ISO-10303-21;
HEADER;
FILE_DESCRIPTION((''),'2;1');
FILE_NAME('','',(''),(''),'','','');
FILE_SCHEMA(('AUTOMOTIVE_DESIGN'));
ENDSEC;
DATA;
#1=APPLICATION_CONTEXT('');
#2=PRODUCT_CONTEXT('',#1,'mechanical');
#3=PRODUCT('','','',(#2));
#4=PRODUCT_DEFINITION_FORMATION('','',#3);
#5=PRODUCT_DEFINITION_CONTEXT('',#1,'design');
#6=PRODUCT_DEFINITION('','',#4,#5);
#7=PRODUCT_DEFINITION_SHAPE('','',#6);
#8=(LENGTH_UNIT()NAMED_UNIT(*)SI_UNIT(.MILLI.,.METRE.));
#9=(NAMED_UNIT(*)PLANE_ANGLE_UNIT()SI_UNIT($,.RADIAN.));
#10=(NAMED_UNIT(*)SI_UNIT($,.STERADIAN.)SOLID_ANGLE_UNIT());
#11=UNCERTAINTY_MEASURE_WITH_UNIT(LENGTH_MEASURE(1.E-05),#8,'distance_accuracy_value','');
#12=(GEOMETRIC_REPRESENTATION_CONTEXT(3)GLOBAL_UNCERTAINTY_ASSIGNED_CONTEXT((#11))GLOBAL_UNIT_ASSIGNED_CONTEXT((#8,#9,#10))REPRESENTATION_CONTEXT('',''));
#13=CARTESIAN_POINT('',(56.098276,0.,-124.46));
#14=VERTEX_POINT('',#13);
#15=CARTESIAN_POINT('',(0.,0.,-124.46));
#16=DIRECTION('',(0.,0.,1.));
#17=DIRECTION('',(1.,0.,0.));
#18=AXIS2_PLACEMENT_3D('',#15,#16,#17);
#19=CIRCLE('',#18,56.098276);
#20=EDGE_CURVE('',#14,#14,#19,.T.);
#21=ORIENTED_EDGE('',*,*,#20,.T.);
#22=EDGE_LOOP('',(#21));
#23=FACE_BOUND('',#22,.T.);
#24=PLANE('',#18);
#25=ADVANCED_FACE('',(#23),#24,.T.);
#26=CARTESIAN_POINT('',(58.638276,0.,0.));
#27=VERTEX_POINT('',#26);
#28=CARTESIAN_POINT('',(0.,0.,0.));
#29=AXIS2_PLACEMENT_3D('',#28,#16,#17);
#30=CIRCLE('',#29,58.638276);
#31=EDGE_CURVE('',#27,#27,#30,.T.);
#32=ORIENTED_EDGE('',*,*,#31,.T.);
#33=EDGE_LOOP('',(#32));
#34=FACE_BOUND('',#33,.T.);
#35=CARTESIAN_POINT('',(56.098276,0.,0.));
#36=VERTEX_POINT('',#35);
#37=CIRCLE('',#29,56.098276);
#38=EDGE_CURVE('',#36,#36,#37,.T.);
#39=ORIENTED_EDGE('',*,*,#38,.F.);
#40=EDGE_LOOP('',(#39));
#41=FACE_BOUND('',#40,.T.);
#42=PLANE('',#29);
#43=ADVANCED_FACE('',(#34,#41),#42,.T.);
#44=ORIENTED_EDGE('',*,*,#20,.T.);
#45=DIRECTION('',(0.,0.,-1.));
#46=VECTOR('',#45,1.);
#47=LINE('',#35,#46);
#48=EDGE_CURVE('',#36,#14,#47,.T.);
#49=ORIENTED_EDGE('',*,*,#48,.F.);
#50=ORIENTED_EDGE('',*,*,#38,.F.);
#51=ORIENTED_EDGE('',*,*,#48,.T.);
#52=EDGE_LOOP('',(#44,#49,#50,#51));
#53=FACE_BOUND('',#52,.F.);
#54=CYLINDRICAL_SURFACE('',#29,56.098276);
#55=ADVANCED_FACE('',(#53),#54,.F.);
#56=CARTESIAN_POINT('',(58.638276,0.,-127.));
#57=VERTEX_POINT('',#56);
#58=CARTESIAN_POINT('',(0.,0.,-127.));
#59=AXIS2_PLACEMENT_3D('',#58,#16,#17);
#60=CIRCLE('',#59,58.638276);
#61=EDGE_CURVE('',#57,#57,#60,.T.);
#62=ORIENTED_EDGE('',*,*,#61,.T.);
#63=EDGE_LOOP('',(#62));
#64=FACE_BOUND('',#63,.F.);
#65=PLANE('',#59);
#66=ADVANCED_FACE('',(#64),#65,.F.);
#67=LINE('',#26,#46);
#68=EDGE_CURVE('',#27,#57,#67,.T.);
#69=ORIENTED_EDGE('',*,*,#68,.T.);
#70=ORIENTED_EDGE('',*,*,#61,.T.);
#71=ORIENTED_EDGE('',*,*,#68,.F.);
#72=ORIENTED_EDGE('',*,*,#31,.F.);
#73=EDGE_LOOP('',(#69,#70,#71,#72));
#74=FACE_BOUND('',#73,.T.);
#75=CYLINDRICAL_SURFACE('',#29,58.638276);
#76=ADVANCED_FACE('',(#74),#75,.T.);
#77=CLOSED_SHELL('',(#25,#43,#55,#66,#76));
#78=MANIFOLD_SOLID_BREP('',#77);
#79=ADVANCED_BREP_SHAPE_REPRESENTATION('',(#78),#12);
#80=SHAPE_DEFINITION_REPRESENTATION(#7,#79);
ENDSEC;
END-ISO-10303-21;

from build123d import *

# Parameters (mm, degrees)
F0_R     = 58.638276
F1_DEPTH = 127
F2_T     = -2.54


with BuildPart() as f1:
    # F0 (on Top) → F1 (new body)
    with BuildSketch(Plane.XY):
        Circle(F0_R)
    extrude(amount=-F1_DEPTH)

    # F2
    f2_openings = [f1.faces().sort_by_distance(p)[0] for p in [
        (0, 0, 0),
    ]]
    offset(amount=F2_T, openings=f2_openings)


solid = f1.part
